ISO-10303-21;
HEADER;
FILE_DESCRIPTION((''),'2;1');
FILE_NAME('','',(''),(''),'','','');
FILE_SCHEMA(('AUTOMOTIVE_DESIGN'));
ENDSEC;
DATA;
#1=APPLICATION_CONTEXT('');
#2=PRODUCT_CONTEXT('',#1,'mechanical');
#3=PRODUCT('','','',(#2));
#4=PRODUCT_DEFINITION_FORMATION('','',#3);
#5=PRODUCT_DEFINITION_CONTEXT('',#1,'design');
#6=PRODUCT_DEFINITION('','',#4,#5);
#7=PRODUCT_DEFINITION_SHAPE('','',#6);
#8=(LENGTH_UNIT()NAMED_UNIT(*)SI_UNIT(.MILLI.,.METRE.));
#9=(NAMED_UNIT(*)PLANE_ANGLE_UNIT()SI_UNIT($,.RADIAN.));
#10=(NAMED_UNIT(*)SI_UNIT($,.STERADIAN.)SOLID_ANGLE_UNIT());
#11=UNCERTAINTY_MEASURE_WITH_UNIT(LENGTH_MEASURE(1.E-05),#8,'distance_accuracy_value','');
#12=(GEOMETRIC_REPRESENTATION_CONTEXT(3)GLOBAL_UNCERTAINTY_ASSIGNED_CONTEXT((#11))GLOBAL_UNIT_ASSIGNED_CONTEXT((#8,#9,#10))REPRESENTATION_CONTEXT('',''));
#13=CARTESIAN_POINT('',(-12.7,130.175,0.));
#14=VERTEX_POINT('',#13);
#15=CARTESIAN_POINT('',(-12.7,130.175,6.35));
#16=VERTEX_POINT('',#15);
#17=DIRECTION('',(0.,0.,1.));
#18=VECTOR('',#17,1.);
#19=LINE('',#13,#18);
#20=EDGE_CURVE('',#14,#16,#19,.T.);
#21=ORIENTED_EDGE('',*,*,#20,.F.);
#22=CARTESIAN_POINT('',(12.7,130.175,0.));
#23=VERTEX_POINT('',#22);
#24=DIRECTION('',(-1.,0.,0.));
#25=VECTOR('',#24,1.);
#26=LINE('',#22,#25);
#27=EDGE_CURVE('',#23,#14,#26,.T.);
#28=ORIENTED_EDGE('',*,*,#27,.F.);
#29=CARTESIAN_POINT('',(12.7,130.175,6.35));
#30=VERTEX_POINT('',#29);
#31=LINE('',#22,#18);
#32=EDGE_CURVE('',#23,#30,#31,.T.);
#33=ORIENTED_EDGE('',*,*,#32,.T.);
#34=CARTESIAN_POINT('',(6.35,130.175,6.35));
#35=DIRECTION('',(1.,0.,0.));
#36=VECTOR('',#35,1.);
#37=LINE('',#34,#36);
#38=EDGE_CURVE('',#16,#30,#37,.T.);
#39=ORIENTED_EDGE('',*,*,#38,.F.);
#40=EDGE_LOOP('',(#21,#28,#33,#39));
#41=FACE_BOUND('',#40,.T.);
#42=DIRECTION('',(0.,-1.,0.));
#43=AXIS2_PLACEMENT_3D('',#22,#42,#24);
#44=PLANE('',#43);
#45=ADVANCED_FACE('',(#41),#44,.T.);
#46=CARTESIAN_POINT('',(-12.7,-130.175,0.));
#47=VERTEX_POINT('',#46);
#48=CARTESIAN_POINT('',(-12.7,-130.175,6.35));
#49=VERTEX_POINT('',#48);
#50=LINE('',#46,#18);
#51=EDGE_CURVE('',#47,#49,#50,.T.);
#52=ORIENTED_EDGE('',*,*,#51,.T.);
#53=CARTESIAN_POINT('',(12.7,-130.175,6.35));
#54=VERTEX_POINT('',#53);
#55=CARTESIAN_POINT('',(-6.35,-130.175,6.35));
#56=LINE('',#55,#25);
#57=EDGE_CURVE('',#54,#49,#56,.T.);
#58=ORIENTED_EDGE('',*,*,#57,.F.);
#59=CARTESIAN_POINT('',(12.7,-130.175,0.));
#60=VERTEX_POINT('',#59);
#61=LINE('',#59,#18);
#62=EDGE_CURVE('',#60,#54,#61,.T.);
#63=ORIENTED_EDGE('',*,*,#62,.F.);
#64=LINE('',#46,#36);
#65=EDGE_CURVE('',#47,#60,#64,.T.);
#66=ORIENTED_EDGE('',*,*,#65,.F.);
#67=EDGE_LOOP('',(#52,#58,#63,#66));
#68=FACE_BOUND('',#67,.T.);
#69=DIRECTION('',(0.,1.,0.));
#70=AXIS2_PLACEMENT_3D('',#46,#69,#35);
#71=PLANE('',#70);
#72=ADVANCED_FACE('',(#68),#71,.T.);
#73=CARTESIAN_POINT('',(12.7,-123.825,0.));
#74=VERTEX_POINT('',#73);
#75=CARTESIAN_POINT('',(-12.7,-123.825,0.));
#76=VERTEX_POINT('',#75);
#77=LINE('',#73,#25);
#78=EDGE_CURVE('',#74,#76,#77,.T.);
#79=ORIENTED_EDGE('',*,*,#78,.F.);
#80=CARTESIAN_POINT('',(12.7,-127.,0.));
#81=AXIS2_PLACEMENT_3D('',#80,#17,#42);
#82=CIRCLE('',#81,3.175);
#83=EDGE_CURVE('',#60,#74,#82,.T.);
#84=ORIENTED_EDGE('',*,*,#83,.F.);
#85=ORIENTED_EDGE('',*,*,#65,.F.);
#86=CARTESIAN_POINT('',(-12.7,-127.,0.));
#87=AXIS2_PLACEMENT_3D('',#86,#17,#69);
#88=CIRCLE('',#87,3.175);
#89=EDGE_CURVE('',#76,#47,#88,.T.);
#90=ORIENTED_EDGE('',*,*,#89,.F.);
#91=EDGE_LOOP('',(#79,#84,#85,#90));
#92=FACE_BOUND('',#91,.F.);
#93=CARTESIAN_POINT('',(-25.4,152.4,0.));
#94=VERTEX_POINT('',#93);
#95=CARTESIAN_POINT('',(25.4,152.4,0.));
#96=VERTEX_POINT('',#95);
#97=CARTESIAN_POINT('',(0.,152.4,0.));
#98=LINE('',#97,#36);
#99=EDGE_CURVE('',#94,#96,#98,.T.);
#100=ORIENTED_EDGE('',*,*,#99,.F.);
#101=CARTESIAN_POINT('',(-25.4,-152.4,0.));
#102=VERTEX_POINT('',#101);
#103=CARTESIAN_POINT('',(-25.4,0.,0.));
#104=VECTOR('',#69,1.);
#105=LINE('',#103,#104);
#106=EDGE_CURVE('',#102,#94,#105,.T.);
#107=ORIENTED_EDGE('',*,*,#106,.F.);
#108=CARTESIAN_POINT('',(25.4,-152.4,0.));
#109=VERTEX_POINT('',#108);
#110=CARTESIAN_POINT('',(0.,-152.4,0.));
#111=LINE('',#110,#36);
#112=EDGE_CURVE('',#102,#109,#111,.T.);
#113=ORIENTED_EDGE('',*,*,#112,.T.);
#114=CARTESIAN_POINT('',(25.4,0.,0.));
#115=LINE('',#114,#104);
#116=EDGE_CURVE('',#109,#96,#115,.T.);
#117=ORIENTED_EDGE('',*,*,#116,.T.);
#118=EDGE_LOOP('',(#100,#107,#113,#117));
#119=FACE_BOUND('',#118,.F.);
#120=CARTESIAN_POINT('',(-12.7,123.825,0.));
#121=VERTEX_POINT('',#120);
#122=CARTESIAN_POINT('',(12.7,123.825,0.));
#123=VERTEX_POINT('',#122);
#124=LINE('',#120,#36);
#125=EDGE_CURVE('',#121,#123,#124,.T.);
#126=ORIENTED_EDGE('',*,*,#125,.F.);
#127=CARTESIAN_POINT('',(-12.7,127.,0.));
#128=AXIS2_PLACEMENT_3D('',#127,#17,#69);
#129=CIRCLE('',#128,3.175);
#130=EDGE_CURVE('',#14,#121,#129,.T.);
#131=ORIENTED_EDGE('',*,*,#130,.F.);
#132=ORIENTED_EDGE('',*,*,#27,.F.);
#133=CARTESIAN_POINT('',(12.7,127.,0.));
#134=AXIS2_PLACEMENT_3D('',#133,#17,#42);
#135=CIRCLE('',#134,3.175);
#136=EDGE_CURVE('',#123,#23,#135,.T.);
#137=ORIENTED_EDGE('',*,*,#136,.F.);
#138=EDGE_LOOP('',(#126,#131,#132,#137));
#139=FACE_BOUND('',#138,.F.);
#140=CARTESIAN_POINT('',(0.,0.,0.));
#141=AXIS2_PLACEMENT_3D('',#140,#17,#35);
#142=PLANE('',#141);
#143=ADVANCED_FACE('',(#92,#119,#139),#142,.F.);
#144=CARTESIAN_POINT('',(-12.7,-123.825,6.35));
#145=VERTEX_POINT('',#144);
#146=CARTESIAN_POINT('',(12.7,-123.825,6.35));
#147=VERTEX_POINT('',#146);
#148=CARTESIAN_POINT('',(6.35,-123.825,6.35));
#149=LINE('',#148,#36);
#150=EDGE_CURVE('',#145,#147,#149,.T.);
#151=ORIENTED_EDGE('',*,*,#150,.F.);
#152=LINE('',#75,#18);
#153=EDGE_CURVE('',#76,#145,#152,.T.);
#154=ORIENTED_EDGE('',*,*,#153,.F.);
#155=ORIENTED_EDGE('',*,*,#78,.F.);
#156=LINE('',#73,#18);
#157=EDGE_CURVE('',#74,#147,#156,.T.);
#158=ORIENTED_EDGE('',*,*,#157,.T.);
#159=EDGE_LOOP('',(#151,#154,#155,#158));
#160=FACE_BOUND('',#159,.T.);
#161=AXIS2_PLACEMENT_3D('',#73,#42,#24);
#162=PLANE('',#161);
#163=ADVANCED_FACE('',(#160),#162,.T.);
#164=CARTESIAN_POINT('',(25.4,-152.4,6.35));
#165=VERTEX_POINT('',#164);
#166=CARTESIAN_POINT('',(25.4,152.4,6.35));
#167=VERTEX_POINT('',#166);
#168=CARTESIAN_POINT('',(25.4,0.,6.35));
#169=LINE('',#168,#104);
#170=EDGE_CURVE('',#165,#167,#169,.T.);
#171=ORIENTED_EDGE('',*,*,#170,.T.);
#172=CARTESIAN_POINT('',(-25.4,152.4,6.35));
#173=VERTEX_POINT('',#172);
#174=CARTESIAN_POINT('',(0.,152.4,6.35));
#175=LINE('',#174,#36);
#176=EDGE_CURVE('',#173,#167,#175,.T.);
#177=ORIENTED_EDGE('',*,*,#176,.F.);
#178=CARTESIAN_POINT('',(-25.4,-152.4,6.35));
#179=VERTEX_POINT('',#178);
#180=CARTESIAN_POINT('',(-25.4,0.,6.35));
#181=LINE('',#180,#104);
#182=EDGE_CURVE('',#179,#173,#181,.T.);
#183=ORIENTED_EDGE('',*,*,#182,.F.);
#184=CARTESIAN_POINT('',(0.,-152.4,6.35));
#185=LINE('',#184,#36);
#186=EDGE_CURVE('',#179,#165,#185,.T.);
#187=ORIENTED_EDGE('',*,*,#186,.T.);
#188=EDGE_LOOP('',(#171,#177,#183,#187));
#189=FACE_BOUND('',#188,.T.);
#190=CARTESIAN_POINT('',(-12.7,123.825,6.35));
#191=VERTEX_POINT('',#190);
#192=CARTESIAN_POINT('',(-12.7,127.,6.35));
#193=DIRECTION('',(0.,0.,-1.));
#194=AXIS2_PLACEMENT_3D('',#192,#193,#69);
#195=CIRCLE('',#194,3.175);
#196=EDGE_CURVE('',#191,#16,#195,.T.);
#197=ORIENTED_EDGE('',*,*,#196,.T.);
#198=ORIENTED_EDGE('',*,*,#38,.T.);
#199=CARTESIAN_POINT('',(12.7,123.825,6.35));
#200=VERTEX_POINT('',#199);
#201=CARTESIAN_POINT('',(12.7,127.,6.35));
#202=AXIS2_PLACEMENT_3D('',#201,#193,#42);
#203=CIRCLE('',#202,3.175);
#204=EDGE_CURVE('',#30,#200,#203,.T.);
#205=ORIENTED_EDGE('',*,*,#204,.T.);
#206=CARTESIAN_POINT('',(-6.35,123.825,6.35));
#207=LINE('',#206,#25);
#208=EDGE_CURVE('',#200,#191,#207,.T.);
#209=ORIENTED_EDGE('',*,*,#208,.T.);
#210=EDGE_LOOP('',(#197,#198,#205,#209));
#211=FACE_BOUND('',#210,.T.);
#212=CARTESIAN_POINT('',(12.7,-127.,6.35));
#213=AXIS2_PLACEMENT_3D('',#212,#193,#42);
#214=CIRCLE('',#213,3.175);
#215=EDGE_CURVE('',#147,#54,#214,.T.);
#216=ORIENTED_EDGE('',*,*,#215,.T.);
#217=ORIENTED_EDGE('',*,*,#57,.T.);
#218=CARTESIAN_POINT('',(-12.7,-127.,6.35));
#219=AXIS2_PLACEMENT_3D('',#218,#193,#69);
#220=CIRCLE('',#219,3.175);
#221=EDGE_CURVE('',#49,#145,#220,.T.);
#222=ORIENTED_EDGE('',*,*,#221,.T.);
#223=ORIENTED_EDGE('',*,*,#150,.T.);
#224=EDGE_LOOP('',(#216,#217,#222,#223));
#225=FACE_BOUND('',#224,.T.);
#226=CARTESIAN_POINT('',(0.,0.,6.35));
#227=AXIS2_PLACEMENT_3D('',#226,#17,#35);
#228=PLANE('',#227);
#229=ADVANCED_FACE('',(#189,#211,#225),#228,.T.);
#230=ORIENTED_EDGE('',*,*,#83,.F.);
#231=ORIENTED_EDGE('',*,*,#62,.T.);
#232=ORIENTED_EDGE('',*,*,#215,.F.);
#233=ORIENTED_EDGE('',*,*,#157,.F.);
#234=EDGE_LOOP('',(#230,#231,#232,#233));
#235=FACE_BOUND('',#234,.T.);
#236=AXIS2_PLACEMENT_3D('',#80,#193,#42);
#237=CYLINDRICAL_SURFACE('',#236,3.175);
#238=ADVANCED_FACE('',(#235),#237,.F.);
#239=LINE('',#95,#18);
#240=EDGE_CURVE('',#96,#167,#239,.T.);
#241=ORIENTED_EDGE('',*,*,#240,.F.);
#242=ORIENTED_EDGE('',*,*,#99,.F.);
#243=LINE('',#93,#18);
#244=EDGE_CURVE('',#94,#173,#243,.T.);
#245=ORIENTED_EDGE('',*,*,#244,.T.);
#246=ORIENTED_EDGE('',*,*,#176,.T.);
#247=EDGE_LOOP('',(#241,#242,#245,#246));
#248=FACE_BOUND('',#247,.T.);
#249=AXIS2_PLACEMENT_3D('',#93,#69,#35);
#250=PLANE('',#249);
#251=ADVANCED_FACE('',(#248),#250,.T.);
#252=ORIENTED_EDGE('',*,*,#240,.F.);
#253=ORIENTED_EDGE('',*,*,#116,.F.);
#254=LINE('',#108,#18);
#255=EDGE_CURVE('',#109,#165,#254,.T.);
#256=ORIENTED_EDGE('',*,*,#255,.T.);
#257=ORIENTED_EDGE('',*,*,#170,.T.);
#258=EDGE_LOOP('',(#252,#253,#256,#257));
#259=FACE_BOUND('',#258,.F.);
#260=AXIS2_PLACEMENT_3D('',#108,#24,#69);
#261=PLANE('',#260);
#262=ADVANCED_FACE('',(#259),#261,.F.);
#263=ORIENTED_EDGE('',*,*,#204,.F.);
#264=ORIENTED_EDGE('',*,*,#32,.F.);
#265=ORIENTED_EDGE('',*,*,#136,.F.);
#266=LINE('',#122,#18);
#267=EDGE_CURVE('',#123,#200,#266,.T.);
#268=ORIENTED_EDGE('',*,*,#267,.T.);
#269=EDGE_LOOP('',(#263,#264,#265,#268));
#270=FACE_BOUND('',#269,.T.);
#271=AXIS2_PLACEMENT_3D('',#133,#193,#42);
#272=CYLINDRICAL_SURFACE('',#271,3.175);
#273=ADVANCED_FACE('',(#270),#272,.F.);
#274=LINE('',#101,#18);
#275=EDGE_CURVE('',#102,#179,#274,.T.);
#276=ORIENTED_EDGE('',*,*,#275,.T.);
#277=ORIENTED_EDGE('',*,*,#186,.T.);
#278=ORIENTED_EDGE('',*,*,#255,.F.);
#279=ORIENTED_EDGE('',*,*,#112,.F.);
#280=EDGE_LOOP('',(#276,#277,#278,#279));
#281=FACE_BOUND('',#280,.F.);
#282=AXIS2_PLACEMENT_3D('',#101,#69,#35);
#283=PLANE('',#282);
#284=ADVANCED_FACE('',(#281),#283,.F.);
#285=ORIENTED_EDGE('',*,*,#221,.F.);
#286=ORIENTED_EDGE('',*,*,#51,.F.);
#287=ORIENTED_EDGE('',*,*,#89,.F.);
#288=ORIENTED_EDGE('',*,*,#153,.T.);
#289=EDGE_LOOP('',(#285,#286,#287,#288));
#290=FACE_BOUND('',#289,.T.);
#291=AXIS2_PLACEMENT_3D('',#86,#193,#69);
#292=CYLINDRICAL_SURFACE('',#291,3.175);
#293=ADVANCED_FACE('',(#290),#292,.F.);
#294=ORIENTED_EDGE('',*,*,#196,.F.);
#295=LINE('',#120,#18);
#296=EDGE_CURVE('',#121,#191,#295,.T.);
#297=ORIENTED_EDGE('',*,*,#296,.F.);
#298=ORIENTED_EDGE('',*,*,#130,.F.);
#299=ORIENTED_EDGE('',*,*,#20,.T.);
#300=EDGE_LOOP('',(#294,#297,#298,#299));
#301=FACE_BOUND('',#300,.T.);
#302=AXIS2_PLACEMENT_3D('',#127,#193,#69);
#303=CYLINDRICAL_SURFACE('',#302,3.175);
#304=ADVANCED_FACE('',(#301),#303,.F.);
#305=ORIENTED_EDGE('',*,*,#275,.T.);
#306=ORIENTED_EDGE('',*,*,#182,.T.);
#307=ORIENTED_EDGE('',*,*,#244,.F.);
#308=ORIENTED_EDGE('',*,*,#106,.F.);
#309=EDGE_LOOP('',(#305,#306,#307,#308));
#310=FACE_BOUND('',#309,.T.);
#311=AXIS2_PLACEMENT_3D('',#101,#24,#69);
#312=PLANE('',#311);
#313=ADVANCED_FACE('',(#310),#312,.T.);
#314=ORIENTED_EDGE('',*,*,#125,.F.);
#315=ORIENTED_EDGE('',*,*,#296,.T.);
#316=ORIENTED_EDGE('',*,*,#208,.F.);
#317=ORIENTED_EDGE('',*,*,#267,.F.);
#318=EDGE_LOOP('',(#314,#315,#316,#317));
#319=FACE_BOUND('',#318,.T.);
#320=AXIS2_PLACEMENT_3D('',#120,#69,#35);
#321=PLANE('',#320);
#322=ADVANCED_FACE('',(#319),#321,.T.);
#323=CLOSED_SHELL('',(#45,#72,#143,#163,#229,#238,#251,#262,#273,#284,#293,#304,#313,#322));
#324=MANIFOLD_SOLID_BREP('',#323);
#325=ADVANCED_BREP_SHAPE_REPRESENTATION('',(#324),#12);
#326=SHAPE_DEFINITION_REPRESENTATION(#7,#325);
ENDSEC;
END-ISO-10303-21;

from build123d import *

# Parameters (mm, degrees)
F0_W     = 50.8
F0_H     = 304.8
F1_DEPTH = 6.35
F3_DEPTH = 25.4


with BuildPart() as f1:
    # F0 (on Top) → F1 (new body)
    with BuildSketch(Plane.XY):
        Rectangle(F0_W, F0_H)
    extrude(amount=F1_DEPTH)

    # F2 (on Top) → F3 (cut)
    with BuildSketch(Plane.XY):
        with BuildLine():
            Line((12.7, 130.175), (-12.7, 130.175))
            ThreePointArc((-12.7, 130.175), (-15.875, 127), (-12.7, 123.825))
            Line((-12.7, 123.825), (12.7, 123.825))
            ThreePointArc((12.7, 123.825), (15.875, 127), (12.7, 130.175))
        make_face()
        with BuildLine():
            Line((12.7, -123.825), (-12.7, -123.825))
            ThreePointArc((-12.7, -123.825), (-15.875, -127), (-12.7, -130.175))
            Line((-12.7, -130.175), (12.7, -130.175))
            ThreePointArc((12.7, -130.175), (15.875, -127), (12.7, -123.825))
        make_face()
    extrude(amount=F3_DEPTH, mode=Mode.SUBTRACT)


solid = f1.part
